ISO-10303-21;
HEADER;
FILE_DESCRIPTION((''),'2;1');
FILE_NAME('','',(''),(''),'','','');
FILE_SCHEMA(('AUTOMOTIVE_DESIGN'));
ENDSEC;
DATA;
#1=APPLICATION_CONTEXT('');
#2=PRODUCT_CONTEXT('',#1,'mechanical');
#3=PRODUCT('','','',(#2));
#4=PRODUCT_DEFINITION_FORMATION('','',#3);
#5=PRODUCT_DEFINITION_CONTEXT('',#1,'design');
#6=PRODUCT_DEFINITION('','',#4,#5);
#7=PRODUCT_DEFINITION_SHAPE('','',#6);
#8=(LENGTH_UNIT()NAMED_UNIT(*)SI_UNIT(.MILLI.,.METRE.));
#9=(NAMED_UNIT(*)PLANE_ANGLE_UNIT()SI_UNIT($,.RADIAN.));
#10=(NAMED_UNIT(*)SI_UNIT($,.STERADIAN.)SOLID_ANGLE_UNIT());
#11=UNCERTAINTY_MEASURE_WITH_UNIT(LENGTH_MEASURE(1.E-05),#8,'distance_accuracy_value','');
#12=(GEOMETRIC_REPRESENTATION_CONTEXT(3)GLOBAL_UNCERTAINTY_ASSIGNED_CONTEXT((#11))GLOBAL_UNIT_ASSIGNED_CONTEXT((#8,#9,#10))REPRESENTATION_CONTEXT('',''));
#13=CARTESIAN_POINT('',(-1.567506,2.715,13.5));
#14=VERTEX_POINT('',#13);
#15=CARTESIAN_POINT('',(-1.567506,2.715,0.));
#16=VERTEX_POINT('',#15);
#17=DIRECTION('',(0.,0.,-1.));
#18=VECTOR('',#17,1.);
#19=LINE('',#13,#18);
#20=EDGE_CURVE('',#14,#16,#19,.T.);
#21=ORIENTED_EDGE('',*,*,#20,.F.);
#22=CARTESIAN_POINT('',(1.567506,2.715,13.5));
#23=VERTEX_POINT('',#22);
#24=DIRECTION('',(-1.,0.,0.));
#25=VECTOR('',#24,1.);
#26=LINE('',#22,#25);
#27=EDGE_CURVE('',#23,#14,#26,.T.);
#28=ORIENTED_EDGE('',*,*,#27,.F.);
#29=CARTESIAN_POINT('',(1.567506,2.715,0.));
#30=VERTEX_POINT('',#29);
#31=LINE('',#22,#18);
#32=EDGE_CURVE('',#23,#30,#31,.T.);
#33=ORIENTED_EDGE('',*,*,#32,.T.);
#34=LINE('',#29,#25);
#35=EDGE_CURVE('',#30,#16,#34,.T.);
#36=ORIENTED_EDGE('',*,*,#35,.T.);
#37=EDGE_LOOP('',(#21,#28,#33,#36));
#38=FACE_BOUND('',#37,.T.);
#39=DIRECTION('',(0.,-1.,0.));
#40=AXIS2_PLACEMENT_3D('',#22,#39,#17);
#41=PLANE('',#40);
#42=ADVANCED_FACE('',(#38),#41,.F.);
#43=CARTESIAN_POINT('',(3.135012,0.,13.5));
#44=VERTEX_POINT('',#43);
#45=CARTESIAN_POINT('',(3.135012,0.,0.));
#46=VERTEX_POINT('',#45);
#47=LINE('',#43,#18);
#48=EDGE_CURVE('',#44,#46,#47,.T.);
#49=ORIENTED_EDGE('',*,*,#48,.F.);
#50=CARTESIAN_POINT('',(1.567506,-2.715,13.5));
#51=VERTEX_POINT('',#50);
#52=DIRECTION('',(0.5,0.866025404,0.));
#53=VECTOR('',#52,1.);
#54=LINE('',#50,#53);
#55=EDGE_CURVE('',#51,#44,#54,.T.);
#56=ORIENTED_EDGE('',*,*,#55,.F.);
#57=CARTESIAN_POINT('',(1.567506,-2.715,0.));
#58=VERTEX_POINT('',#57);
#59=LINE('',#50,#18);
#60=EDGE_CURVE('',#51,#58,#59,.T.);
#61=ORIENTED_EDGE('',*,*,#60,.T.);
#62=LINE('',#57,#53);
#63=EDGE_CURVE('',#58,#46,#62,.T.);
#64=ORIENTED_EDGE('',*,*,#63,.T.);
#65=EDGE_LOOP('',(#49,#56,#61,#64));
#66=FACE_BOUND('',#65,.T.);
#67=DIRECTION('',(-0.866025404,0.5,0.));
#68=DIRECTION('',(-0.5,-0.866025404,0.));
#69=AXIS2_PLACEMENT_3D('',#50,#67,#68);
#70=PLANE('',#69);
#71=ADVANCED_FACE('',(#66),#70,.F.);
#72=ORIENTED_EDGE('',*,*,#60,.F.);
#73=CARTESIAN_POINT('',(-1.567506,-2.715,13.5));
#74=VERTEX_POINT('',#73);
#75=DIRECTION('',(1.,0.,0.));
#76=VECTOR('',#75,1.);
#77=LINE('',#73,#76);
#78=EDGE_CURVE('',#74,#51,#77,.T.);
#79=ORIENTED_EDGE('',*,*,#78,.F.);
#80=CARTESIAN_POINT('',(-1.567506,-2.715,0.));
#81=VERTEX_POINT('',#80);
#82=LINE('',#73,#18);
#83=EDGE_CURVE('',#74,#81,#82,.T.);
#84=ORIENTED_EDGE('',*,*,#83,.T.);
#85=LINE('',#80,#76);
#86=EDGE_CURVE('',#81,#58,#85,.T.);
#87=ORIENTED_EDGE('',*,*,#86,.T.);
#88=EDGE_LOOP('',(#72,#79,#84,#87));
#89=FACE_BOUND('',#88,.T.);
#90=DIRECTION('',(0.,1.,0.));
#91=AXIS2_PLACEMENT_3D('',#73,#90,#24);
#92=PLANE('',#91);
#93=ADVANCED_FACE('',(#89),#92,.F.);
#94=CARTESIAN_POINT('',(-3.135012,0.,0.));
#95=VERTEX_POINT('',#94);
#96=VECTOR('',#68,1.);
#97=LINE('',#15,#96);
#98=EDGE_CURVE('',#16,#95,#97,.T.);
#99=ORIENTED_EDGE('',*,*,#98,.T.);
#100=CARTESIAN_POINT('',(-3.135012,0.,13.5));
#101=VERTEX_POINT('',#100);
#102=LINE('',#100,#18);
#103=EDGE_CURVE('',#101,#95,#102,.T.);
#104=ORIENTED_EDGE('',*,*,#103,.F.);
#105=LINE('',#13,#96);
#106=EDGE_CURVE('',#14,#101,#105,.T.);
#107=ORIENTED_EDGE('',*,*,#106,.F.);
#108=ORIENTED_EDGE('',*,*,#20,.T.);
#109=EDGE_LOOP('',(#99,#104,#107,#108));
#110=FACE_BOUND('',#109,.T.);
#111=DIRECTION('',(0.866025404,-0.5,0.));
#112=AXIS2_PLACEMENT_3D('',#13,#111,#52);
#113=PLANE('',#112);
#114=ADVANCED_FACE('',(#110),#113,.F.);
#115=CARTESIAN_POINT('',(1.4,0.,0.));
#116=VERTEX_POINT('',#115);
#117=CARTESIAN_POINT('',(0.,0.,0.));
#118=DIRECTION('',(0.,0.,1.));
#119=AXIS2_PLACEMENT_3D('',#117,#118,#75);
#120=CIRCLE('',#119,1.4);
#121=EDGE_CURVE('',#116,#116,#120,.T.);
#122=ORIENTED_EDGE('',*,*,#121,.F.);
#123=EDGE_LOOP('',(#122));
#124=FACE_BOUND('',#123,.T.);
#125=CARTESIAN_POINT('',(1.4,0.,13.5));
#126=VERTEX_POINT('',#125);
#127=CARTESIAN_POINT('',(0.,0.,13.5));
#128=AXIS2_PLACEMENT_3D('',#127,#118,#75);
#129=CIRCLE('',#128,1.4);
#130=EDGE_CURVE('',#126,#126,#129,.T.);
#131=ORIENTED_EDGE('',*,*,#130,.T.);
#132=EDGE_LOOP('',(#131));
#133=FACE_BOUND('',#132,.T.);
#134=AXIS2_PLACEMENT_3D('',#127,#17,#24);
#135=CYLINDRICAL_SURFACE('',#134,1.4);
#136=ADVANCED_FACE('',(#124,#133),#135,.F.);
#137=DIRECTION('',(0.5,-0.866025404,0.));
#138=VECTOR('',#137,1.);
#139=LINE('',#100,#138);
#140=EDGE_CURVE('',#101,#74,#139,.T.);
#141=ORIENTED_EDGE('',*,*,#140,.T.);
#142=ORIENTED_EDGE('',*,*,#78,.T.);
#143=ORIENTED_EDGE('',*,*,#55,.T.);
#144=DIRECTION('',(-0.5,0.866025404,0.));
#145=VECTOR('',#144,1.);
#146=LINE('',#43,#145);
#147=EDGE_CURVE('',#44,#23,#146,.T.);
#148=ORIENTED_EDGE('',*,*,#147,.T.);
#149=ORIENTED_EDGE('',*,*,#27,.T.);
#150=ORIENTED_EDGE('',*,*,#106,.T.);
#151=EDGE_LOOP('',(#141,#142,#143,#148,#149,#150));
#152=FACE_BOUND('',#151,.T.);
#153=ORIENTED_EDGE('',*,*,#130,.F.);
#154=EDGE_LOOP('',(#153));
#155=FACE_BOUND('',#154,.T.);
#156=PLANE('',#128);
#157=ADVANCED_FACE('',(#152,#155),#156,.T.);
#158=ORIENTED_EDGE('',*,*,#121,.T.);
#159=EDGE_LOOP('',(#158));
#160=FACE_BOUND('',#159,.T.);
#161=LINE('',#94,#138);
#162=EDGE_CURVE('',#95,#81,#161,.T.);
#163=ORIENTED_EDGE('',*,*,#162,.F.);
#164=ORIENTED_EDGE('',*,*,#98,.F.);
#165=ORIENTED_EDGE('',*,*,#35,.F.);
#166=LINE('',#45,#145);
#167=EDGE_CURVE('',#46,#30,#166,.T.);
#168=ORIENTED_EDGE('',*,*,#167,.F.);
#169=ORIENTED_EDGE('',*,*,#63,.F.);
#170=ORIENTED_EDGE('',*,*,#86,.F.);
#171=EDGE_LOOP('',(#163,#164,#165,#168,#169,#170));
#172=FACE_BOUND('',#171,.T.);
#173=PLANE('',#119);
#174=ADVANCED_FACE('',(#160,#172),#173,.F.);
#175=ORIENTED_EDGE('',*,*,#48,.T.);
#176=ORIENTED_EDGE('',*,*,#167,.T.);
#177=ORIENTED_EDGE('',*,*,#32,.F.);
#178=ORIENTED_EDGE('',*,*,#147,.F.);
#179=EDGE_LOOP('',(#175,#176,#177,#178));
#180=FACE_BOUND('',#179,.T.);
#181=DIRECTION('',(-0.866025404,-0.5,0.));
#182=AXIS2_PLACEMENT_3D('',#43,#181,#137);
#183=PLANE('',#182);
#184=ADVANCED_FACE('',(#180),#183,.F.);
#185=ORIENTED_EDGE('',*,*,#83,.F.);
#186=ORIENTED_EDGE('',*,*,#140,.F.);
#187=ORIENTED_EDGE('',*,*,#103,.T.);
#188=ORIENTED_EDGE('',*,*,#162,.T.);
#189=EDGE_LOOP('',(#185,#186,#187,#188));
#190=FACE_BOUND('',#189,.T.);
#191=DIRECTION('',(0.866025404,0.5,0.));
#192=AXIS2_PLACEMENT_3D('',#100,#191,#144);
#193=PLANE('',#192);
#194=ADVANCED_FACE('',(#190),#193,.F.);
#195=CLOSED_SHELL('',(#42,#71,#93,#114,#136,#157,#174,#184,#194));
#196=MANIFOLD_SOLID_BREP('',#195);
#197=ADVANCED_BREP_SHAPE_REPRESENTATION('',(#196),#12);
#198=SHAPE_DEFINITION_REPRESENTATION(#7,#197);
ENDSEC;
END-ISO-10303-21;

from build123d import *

# Parameters (mm, degrees)
IZIM1_R                     = 1.4
Y_KSEKLIK_EKSTR_ZYON1_DEPTH = 13.5


with BuildPart() as part:
    # Çizim1 → Yükseklik-Ekstrüzyon1 (new body)
    with BuildSketch(Plane.XY):
        Polygon((1.567505981, -2.715), (3.135011962, 0), (1.567505981, 2.715), (-1.567505981, 2.715), (-3.135011962, 0), (-1.567505981, -2.715), align=None)
        Circle(IZIM1_R, mode=Mode.SUBTRACT)
    extrude(amount=Y_KSEKLIK_EKSTR_ZYON1_DEPTH)


solid = part.part
